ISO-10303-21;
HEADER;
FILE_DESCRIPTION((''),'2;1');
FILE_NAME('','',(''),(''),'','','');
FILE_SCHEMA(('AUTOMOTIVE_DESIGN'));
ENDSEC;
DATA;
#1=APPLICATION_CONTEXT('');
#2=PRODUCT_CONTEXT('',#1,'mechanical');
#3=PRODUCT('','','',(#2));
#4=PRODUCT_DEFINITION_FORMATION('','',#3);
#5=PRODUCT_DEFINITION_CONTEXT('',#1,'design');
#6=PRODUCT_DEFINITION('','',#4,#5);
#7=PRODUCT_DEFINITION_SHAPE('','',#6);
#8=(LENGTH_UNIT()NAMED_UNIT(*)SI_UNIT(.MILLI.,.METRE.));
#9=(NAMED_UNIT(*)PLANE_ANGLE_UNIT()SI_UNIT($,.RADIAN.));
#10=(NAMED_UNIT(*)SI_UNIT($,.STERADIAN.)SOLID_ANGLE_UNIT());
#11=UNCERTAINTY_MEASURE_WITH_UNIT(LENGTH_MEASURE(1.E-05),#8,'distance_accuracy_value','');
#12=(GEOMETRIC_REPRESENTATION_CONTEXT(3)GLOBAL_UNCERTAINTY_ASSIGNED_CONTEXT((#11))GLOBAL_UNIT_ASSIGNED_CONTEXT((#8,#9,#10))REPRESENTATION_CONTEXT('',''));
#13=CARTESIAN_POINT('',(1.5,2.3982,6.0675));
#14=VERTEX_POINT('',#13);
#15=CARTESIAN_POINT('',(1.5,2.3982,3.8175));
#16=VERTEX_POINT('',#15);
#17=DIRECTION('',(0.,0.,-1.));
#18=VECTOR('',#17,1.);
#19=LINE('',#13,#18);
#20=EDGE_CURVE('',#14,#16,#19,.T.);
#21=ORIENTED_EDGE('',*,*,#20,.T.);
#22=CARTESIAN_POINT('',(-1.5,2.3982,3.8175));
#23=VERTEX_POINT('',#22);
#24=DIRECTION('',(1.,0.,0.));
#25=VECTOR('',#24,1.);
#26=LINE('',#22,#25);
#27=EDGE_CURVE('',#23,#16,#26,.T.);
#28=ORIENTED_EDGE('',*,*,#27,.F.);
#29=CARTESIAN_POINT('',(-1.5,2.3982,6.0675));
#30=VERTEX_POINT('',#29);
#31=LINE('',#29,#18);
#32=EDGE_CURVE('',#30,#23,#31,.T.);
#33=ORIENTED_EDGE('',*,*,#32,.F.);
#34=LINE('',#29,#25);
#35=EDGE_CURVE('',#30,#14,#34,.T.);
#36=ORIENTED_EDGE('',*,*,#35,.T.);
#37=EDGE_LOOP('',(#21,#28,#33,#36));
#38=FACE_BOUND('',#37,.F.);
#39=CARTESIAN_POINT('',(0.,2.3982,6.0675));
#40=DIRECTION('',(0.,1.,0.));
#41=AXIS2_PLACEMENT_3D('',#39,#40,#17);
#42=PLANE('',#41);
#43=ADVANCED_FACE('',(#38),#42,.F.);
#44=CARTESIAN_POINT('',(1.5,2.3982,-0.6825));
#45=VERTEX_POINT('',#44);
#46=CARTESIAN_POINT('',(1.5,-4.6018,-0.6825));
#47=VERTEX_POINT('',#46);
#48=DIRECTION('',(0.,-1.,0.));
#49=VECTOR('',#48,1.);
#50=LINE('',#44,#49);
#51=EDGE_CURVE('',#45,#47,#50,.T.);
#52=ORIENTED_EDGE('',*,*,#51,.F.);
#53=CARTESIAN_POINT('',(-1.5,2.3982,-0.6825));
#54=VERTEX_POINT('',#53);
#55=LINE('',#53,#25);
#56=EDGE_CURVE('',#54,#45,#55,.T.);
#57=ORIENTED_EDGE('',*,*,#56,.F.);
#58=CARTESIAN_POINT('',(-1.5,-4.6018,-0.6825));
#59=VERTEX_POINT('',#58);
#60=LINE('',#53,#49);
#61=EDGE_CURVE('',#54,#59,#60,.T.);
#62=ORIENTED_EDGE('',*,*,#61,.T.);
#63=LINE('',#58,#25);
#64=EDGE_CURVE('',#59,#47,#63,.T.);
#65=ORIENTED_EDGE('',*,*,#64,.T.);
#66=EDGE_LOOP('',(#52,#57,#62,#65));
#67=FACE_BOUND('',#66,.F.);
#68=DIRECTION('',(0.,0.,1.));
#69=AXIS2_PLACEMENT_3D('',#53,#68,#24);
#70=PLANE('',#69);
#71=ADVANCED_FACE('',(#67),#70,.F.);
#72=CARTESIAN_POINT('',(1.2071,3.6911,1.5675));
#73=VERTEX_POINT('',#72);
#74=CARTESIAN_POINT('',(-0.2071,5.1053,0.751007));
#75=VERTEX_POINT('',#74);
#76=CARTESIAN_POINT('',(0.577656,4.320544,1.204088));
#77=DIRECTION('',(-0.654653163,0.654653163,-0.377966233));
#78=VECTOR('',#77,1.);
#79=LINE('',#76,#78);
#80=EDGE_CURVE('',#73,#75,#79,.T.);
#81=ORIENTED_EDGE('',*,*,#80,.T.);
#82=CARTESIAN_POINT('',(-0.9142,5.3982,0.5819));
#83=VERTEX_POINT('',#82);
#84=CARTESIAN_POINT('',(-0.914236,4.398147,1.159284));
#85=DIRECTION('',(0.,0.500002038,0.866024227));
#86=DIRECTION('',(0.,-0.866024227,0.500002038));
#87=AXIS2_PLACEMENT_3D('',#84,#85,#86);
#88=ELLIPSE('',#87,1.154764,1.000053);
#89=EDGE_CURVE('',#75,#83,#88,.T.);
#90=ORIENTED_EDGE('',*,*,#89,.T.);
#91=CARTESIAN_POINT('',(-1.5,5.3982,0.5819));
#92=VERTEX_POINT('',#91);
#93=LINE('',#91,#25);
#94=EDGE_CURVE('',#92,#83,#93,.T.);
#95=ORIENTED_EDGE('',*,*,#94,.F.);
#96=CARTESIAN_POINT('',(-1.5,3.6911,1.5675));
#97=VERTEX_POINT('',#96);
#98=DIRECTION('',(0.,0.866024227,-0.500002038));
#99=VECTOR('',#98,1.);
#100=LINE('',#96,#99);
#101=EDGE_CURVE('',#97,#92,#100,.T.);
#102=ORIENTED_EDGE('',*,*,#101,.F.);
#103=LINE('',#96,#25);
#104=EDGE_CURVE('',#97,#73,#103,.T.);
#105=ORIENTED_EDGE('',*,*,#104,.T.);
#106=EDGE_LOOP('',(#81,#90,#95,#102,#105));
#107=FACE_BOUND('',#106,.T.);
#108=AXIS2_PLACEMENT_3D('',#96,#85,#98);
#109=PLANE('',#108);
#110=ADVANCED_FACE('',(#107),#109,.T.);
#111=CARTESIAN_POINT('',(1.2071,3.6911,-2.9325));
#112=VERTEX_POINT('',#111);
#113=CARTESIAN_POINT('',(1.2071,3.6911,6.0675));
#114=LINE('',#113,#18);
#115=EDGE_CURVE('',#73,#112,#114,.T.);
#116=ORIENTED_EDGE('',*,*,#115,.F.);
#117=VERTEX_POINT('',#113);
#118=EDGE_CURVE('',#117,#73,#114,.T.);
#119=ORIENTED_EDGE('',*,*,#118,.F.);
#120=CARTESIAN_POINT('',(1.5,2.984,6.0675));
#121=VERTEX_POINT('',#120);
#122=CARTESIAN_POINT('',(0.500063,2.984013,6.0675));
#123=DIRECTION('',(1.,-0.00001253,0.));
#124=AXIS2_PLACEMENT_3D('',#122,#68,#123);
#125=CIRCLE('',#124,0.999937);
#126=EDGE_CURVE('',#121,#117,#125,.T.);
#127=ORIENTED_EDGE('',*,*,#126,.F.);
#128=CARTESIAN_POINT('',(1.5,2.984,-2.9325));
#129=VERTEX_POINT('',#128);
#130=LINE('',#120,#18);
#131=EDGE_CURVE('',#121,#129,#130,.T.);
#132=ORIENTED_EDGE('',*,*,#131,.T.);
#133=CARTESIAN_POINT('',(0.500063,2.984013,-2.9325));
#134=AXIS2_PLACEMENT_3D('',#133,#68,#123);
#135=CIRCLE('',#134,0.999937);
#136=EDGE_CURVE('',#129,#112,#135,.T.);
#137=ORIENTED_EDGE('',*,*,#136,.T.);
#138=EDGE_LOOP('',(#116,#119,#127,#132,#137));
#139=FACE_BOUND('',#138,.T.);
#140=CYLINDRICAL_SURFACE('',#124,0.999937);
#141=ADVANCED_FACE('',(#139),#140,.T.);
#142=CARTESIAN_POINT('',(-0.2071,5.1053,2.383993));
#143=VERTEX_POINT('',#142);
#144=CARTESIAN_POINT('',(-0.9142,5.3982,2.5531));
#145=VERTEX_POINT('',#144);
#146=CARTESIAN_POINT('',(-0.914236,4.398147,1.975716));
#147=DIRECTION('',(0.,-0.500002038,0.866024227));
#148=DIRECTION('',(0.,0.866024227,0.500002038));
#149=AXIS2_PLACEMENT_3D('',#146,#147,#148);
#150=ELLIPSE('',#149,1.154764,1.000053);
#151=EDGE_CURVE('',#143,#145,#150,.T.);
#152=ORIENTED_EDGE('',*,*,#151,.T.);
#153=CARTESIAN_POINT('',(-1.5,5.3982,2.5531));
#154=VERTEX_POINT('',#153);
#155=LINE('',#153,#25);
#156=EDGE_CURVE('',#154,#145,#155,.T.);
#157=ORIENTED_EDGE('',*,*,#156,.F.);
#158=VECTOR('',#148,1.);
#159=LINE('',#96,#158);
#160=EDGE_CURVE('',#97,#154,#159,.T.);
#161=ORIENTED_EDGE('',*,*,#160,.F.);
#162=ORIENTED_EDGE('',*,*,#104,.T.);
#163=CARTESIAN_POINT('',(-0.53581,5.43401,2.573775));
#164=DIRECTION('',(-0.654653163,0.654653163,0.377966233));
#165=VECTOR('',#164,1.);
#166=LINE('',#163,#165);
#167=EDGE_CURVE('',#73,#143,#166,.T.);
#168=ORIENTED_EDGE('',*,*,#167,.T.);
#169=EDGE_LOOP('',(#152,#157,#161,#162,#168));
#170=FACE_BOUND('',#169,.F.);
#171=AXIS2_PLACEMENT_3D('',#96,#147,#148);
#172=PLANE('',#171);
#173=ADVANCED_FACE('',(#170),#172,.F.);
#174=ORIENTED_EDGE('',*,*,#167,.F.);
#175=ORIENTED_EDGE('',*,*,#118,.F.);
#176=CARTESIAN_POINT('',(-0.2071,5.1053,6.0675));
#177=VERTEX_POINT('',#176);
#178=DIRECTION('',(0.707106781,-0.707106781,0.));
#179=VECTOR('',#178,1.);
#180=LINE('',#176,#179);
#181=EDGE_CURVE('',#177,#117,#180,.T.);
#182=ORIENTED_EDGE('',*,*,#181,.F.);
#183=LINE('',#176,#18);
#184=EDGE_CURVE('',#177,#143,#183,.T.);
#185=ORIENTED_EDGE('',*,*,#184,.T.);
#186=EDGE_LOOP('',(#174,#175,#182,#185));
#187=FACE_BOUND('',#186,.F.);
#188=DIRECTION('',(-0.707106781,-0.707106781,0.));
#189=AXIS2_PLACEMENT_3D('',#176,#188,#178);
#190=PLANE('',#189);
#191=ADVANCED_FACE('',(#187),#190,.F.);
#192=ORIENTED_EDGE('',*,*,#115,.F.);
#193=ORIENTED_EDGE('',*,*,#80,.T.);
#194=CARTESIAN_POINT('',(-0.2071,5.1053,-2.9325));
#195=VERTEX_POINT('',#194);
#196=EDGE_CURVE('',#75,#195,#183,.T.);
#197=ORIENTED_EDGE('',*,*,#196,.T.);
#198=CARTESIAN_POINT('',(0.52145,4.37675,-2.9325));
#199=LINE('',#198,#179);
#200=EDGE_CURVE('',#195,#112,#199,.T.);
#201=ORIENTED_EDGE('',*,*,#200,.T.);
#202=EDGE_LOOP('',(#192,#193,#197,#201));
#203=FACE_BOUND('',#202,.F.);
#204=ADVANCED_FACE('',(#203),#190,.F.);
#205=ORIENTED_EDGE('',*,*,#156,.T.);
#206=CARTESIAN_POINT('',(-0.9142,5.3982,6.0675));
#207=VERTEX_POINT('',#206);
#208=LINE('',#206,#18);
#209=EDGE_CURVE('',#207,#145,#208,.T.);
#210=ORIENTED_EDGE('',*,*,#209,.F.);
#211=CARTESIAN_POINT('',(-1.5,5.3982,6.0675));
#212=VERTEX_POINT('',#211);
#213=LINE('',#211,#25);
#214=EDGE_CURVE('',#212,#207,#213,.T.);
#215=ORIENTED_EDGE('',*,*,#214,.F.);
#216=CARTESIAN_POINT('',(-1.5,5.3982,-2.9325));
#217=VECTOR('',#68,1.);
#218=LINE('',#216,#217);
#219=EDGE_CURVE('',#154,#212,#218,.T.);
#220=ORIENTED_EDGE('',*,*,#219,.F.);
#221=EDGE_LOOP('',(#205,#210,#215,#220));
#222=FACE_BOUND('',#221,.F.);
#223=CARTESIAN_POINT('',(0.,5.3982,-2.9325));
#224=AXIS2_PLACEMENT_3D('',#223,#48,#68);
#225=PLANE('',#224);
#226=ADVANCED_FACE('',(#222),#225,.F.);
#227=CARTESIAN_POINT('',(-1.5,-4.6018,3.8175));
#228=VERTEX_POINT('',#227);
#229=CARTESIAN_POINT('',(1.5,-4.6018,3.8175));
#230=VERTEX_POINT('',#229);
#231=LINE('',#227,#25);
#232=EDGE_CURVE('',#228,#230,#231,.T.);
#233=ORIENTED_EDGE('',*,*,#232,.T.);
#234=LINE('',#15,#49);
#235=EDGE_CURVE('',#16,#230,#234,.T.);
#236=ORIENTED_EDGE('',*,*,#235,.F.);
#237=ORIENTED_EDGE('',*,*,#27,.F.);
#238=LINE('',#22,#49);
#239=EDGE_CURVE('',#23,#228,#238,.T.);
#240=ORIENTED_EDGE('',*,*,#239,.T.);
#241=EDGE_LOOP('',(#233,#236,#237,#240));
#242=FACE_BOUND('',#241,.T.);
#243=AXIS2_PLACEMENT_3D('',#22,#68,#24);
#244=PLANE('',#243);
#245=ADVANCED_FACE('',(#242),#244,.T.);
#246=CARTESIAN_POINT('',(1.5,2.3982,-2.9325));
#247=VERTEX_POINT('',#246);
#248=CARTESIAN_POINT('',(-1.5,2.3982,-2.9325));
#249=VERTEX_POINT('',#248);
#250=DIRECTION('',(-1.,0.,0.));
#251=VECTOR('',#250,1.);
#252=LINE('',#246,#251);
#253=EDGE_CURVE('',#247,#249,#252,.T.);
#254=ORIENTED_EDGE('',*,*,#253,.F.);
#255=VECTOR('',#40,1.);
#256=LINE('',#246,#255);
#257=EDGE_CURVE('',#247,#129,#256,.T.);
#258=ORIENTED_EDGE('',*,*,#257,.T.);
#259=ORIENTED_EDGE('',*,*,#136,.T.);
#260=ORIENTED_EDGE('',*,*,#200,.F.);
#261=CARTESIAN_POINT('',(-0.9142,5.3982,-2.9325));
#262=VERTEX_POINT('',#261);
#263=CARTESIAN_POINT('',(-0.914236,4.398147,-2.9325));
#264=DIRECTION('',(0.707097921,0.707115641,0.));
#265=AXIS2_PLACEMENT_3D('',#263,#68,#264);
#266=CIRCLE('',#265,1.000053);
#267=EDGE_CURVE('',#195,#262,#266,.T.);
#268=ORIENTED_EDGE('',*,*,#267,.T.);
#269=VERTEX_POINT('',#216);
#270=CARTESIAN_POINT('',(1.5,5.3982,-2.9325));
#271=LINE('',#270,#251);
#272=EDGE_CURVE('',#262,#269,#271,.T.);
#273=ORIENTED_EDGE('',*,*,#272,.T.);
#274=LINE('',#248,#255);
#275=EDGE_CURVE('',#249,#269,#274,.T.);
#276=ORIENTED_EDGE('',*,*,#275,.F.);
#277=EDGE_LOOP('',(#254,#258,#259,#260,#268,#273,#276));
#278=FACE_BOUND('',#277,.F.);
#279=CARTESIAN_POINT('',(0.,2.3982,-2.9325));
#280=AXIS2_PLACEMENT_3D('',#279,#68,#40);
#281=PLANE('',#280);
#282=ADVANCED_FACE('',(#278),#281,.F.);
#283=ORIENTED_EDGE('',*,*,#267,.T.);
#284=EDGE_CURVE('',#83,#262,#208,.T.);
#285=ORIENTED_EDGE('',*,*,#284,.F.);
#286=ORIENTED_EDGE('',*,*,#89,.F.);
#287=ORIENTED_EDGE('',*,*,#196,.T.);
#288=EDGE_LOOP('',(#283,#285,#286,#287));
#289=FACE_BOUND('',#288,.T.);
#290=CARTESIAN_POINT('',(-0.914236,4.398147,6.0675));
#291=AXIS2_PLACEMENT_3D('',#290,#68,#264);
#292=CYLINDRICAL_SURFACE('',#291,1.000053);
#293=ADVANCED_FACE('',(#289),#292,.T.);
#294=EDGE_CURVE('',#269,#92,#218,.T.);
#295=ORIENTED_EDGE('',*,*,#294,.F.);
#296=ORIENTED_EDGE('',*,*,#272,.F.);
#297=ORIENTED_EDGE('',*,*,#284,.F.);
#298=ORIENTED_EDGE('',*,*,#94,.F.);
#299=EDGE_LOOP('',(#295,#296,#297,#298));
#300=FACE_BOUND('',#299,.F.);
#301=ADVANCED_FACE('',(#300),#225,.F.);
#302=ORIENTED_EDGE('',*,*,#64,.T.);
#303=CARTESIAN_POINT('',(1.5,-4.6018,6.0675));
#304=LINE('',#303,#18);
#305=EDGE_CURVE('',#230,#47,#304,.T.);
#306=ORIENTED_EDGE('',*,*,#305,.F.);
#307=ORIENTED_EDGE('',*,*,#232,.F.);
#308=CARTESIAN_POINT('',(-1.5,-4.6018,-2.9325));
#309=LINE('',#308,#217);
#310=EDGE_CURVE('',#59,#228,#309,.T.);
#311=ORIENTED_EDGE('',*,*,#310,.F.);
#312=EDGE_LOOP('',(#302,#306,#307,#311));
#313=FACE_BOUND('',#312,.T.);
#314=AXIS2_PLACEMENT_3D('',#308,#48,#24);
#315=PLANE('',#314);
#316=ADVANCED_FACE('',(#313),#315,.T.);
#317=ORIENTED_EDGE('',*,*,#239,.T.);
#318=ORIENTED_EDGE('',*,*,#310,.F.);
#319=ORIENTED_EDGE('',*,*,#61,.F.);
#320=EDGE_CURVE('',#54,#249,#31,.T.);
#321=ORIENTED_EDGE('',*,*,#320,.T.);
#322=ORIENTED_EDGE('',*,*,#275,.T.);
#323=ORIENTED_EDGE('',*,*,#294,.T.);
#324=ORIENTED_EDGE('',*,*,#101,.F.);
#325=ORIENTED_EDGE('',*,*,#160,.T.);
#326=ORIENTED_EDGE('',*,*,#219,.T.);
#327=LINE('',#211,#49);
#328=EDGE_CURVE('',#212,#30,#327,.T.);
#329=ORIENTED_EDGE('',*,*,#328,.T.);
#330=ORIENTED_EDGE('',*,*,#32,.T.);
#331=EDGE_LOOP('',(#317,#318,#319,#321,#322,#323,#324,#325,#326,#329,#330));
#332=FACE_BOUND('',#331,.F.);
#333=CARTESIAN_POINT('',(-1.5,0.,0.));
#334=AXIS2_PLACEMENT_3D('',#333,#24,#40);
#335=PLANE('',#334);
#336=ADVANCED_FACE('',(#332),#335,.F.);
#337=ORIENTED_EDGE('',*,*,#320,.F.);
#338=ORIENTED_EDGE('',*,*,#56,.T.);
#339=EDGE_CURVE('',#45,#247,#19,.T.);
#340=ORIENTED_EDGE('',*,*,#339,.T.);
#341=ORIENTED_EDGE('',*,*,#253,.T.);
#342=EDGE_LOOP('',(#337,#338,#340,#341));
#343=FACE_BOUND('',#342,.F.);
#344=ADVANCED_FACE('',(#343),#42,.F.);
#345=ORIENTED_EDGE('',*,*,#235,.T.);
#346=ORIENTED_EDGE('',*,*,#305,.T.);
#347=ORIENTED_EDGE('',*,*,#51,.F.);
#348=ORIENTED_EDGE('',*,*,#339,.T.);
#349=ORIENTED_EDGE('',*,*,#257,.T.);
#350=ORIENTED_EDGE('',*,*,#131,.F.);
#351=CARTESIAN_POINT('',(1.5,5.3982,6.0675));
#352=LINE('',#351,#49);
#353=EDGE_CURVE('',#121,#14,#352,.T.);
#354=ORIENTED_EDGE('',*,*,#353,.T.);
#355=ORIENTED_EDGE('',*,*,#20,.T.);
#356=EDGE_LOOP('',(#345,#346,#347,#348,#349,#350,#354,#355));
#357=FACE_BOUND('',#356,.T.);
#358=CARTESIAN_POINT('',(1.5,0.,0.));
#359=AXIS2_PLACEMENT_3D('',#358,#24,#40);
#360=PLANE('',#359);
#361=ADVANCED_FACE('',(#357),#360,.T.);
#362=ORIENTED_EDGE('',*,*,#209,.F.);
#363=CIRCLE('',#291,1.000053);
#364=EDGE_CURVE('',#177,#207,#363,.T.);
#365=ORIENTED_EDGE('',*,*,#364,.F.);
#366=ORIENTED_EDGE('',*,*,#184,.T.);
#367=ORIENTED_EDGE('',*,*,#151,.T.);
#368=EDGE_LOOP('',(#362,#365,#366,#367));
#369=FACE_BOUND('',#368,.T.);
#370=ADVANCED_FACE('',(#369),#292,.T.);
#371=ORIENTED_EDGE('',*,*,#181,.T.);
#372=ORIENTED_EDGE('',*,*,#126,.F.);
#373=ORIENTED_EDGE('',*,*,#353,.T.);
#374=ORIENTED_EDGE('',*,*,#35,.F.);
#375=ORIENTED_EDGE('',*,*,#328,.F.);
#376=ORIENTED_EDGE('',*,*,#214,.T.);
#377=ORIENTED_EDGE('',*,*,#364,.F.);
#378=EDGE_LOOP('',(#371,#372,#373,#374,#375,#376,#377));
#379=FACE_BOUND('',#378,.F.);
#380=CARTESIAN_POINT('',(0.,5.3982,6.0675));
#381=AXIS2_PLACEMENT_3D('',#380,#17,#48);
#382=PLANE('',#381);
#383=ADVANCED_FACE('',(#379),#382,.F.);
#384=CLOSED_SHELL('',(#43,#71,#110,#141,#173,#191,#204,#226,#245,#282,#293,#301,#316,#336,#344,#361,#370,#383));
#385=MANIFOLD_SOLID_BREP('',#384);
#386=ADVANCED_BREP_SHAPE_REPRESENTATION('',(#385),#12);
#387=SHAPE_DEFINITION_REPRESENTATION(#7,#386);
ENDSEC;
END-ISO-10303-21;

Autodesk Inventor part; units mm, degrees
ref_plane "YZ Plane" through (0, 0, 0) normal (1, 0, 0) x (0, 1, 0)
ref_plane "XZ Plane" through (0, 0, 0) normal (0, 1, 0) x (-1, 0, 0)
ref_plane "XY Plane" through (0, 0, 0) normal (0, 0, 1) x (1, 0, 0)
sketch "Sketch1" plane through (0, 0, 0) normal (1, 0, 0) x (0, 1, 0)
  line L0 (5.3982, 6.0675) -> (2.3982, 6.0675)
  line L1 (2.3982, 6.0675) -> (2.3982, -2.9325)
  line L2 (2.3982, -2.9325) -> (5.3982, -2.9325)
  line L3 (5.3982, -2.9325) -> (5.3982, 6.0675)
  point P0 (0, 0)
  dimension "d0" = 3
  dimension "d1" = 9
extrude "Extrusion1" add sketch "Sketch1" along normal mid plane 3
sketch "Sketch2" plane through (-1.5, 2.3982, 6.0675) normal (0, 0, 1) x (1, 0, 0)
  line L0 (0, 3) -> (3, 3) projected
  line L1 (0, 3) -> (0.5858, 3)
  line L2 (3, 3) -> (3, 0) projected
  line L3 (3, 0) -> (3, 0.5858)
  line L4 (1.2929, 2.7071) -> (2.7071, 1.2929)
  arc A0 (1.2929, 2.7071) -> (0.5858, 3) centre (0.5858, 2) ccw
  arc A1 (3, 0.5858) -> (2.7071, 1.2929) centre (2, 0.5858) ccw
  line L5 (0.5858, 3) -> (3, 3)
  arc A2 (1.2929, 2.7071) -> (0.5858, 3) centre (0.5858, 2) ccw
  arc A3 (3, 0.5858) -> (2.7071, 1.2929) centre (2, 0.5858) ccw
  line L6 (3, 3) -> (3, 0.5858)
  point P0 (1.5, -2.3982)
  point P1 (1, 3)
  point P2 (3, 1)
  dimension "d5" = 1
extrude "Extrusion2" cut sketch "Sketch2" against normal blind 50
sketch "Sketch4" plane through (-1.5, 0, 0) normal (-1, 0, 0) x (0, 0, 1)
  line L0 (6.0675, 5.3982) -> (-2.9325, 5.3982) projected
  line L1 (6.0675, 2.3982) -> (-2.9325, 2.3982) projected
  line L2 (6.0675, 3.6911) -> (-2.9325, 3.6911) projected
  line L3 (1.5675, 3.6911) -> (2.5531, 5.3982)
  line L4 (1.5675, 3.6911) -> (3.5387, 3.6911) construction
  line L5 (1.5675, 3.6911) -> (0.5819, 5.3982)
  line L6 (0.5819, 5.3982) -> (2.5531, 5.3982)
  point P0 (0, 0)
  dimension "d10" = 60
extrude "Extrusion3" cut sketch "Sketch4" against normal blind 50
sketch "Sketch5" plane through (-1.5, 2.3982, -2.9325) normal (0, -1, 0) x (1, 0, 0)
  line L0 (3, 9) -> (3, 0) projected
  line L1 (0, 0) -> (0, 9) projected
  line L2 (0, 6.75) -> (3, 6.75)
  line L3 (0, 2.25) -> (3, 2.25)
  line L4 (0, 2.25) -> (0, 6.75)
  line L5 (3, 2.25) -> (3, 6.75)
  point P0 (1.5, 2.9325)
  point P1 (0, 4.5)
extrude "Extrusion4" add sketch "Sketch5" along normal blind 7
properties part number "parte do segurador de portas"
